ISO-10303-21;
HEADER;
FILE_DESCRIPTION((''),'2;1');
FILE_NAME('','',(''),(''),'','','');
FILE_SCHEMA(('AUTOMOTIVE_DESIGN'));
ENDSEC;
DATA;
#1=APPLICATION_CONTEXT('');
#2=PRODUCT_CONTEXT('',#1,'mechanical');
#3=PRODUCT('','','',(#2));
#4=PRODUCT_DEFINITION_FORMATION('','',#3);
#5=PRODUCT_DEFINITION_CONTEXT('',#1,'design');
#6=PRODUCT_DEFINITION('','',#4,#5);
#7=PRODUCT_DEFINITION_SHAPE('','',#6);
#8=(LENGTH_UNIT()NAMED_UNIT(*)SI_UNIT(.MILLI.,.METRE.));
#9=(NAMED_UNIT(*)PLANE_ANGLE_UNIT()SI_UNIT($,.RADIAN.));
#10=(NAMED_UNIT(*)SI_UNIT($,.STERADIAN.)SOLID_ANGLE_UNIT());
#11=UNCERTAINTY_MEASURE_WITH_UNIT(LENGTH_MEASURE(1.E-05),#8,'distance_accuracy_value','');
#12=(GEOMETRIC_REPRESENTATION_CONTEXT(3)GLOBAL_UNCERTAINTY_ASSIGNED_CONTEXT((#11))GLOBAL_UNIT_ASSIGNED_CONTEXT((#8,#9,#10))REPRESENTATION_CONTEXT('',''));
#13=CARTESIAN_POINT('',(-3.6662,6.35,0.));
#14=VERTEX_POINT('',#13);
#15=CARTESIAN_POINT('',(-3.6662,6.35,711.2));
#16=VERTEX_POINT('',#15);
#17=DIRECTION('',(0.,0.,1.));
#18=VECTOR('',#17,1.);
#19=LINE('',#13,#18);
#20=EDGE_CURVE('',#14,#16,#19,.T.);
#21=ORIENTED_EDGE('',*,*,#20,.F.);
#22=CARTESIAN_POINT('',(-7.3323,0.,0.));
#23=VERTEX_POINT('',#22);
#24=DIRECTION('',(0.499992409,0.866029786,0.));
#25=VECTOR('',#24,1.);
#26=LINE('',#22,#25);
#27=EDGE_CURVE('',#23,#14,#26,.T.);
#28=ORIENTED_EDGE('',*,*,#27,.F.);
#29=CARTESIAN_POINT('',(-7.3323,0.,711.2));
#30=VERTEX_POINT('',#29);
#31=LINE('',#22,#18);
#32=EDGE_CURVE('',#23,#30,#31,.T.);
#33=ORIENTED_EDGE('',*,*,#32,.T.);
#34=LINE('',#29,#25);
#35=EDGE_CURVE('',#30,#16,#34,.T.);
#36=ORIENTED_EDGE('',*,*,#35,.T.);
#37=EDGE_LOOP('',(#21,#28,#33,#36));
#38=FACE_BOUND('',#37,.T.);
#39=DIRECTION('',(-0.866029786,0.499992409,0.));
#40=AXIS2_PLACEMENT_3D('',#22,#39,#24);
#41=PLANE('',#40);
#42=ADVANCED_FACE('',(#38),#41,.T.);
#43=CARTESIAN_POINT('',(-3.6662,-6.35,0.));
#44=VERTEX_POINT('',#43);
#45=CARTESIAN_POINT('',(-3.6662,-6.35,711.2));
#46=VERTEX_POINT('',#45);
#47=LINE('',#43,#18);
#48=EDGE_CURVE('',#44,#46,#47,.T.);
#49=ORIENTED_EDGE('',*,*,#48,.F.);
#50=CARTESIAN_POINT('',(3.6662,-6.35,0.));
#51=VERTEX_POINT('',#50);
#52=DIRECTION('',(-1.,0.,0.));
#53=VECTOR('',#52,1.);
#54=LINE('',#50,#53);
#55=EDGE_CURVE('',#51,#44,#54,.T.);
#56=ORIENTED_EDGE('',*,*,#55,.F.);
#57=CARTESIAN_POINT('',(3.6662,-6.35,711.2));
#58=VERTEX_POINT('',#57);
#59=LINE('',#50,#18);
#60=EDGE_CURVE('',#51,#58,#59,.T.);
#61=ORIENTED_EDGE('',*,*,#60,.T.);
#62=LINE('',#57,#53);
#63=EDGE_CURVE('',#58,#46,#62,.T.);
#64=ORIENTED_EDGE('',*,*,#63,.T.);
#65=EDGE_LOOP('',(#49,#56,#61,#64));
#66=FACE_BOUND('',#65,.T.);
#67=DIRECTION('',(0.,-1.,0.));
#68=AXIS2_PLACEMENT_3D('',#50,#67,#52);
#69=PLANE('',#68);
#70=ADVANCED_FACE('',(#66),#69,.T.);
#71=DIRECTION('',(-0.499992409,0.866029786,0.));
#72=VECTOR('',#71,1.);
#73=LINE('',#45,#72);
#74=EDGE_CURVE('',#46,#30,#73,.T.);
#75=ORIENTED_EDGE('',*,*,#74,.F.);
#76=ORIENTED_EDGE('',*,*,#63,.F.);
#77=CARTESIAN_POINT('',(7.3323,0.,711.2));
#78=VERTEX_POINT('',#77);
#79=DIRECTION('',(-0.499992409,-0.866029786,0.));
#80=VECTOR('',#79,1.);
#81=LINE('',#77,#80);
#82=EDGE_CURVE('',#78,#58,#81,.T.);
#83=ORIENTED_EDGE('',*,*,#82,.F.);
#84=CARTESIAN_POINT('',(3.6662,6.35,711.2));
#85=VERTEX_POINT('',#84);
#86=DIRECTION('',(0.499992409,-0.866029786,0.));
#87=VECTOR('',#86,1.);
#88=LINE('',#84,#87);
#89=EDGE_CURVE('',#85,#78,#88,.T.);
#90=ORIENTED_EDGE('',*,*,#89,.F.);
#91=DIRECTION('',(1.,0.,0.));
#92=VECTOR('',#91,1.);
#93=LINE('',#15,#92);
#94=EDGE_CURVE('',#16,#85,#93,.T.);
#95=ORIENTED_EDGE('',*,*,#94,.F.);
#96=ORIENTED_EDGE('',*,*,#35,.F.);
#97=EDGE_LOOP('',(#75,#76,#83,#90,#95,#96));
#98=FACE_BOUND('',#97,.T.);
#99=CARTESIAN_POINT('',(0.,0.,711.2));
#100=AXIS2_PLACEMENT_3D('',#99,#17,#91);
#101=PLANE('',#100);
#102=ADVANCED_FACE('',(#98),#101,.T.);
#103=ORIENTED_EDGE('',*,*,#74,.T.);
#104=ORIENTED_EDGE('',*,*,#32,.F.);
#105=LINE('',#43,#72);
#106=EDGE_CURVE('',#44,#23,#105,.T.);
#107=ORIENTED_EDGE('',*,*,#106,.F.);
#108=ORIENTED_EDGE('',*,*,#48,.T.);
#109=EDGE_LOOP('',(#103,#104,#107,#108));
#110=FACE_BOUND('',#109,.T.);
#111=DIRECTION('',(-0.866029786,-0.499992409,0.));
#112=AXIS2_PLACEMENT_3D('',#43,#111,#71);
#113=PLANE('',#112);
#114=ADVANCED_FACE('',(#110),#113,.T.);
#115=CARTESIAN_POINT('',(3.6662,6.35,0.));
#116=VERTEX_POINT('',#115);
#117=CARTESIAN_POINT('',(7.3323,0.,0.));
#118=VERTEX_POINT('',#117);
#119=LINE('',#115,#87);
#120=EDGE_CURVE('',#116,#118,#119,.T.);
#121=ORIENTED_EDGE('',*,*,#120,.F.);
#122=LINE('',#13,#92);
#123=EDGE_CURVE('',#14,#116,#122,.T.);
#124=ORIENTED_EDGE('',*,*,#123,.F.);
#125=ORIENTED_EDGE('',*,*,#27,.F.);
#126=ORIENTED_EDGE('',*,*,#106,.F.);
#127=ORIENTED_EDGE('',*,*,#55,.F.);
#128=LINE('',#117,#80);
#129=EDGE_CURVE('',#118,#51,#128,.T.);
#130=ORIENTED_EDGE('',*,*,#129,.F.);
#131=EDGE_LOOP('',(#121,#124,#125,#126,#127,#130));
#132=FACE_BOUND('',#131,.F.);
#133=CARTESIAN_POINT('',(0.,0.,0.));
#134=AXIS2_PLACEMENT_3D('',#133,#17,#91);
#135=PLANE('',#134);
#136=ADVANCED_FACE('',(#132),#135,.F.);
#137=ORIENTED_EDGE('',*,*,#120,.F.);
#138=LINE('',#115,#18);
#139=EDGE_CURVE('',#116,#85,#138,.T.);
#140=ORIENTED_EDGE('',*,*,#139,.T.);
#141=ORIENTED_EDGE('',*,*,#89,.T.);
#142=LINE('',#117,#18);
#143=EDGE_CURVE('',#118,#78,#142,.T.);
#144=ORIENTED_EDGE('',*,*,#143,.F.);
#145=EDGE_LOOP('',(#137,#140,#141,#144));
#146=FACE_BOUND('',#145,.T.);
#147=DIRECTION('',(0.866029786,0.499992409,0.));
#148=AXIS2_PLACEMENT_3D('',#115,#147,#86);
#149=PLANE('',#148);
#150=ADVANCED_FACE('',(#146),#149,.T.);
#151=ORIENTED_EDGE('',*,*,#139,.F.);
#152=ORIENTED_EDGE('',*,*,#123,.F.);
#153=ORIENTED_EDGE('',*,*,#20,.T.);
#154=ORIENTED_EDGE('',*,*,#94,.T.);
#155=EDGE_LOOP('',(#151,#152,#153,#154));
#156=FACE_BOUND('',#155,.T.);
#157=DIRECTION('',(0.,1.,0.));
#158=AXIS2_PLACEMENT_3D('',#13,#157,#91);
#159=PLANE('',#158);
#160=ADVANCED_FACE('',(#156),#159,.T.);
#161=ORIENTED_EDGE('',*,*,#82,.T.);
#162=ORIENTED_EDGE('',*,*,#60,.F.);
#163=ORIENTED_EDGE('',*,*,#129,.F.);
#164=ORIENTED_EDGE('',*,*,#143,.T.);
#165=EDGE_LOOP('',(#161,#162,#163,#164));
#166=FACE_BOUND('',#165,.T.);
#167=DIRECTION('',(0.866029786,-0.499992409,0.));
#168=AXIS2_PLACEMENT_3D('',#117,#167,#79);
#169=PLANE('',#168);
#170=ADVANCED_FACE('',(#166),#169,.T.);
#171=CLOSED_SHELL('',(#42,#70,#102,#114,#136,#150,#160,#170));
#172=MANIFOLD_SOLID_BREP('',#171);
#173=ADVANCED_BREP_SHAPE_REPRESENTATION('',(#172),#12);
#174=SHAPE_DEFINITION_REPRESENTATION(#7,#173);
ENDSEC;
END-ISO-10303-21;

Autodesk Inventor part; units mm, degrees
ref_plane "YZ Plane" through (0, 0, 0) normal (1, 0, 0) x (0, 1, 0)
ref_plane "XZ Plane" through (0, 0, 0) normal (0, 1, 0) x (-1, 0, 0)
ref_plane "XY Plane" through (0, 0, 0) normal (0, 0, 1) x (1, 0, 0)
sketch "Sketch1" plane through (0, 0, 0) normal (0, 0, 1) x (1, 0, 0)
  line L0 (3.6662, 6.35) -> (7.3323, 0)
  line L1 (7.3323, 0) -> (3.6662, -6.35)
  line L2 (3.6662, -6.35) -> (-3.6662, -6.35)
  line L3 (-3.6662, -6.35) -> (-7.3323, 0)
  line L4 (-7.3323, 0) -> (-3.6662, 6.35)
  line L5 (-3.6662, 6.35) -> (3.6662, 6.35)
  point P0 (0, 0)
  point P1 (0, 0)
  dimension "d0" = 12.7
extrude "Extrusion1" add sketch "Sketch1" along normal blind 711.2
properties part number "hex rod 28 inch" material "Steel, Alloy"
